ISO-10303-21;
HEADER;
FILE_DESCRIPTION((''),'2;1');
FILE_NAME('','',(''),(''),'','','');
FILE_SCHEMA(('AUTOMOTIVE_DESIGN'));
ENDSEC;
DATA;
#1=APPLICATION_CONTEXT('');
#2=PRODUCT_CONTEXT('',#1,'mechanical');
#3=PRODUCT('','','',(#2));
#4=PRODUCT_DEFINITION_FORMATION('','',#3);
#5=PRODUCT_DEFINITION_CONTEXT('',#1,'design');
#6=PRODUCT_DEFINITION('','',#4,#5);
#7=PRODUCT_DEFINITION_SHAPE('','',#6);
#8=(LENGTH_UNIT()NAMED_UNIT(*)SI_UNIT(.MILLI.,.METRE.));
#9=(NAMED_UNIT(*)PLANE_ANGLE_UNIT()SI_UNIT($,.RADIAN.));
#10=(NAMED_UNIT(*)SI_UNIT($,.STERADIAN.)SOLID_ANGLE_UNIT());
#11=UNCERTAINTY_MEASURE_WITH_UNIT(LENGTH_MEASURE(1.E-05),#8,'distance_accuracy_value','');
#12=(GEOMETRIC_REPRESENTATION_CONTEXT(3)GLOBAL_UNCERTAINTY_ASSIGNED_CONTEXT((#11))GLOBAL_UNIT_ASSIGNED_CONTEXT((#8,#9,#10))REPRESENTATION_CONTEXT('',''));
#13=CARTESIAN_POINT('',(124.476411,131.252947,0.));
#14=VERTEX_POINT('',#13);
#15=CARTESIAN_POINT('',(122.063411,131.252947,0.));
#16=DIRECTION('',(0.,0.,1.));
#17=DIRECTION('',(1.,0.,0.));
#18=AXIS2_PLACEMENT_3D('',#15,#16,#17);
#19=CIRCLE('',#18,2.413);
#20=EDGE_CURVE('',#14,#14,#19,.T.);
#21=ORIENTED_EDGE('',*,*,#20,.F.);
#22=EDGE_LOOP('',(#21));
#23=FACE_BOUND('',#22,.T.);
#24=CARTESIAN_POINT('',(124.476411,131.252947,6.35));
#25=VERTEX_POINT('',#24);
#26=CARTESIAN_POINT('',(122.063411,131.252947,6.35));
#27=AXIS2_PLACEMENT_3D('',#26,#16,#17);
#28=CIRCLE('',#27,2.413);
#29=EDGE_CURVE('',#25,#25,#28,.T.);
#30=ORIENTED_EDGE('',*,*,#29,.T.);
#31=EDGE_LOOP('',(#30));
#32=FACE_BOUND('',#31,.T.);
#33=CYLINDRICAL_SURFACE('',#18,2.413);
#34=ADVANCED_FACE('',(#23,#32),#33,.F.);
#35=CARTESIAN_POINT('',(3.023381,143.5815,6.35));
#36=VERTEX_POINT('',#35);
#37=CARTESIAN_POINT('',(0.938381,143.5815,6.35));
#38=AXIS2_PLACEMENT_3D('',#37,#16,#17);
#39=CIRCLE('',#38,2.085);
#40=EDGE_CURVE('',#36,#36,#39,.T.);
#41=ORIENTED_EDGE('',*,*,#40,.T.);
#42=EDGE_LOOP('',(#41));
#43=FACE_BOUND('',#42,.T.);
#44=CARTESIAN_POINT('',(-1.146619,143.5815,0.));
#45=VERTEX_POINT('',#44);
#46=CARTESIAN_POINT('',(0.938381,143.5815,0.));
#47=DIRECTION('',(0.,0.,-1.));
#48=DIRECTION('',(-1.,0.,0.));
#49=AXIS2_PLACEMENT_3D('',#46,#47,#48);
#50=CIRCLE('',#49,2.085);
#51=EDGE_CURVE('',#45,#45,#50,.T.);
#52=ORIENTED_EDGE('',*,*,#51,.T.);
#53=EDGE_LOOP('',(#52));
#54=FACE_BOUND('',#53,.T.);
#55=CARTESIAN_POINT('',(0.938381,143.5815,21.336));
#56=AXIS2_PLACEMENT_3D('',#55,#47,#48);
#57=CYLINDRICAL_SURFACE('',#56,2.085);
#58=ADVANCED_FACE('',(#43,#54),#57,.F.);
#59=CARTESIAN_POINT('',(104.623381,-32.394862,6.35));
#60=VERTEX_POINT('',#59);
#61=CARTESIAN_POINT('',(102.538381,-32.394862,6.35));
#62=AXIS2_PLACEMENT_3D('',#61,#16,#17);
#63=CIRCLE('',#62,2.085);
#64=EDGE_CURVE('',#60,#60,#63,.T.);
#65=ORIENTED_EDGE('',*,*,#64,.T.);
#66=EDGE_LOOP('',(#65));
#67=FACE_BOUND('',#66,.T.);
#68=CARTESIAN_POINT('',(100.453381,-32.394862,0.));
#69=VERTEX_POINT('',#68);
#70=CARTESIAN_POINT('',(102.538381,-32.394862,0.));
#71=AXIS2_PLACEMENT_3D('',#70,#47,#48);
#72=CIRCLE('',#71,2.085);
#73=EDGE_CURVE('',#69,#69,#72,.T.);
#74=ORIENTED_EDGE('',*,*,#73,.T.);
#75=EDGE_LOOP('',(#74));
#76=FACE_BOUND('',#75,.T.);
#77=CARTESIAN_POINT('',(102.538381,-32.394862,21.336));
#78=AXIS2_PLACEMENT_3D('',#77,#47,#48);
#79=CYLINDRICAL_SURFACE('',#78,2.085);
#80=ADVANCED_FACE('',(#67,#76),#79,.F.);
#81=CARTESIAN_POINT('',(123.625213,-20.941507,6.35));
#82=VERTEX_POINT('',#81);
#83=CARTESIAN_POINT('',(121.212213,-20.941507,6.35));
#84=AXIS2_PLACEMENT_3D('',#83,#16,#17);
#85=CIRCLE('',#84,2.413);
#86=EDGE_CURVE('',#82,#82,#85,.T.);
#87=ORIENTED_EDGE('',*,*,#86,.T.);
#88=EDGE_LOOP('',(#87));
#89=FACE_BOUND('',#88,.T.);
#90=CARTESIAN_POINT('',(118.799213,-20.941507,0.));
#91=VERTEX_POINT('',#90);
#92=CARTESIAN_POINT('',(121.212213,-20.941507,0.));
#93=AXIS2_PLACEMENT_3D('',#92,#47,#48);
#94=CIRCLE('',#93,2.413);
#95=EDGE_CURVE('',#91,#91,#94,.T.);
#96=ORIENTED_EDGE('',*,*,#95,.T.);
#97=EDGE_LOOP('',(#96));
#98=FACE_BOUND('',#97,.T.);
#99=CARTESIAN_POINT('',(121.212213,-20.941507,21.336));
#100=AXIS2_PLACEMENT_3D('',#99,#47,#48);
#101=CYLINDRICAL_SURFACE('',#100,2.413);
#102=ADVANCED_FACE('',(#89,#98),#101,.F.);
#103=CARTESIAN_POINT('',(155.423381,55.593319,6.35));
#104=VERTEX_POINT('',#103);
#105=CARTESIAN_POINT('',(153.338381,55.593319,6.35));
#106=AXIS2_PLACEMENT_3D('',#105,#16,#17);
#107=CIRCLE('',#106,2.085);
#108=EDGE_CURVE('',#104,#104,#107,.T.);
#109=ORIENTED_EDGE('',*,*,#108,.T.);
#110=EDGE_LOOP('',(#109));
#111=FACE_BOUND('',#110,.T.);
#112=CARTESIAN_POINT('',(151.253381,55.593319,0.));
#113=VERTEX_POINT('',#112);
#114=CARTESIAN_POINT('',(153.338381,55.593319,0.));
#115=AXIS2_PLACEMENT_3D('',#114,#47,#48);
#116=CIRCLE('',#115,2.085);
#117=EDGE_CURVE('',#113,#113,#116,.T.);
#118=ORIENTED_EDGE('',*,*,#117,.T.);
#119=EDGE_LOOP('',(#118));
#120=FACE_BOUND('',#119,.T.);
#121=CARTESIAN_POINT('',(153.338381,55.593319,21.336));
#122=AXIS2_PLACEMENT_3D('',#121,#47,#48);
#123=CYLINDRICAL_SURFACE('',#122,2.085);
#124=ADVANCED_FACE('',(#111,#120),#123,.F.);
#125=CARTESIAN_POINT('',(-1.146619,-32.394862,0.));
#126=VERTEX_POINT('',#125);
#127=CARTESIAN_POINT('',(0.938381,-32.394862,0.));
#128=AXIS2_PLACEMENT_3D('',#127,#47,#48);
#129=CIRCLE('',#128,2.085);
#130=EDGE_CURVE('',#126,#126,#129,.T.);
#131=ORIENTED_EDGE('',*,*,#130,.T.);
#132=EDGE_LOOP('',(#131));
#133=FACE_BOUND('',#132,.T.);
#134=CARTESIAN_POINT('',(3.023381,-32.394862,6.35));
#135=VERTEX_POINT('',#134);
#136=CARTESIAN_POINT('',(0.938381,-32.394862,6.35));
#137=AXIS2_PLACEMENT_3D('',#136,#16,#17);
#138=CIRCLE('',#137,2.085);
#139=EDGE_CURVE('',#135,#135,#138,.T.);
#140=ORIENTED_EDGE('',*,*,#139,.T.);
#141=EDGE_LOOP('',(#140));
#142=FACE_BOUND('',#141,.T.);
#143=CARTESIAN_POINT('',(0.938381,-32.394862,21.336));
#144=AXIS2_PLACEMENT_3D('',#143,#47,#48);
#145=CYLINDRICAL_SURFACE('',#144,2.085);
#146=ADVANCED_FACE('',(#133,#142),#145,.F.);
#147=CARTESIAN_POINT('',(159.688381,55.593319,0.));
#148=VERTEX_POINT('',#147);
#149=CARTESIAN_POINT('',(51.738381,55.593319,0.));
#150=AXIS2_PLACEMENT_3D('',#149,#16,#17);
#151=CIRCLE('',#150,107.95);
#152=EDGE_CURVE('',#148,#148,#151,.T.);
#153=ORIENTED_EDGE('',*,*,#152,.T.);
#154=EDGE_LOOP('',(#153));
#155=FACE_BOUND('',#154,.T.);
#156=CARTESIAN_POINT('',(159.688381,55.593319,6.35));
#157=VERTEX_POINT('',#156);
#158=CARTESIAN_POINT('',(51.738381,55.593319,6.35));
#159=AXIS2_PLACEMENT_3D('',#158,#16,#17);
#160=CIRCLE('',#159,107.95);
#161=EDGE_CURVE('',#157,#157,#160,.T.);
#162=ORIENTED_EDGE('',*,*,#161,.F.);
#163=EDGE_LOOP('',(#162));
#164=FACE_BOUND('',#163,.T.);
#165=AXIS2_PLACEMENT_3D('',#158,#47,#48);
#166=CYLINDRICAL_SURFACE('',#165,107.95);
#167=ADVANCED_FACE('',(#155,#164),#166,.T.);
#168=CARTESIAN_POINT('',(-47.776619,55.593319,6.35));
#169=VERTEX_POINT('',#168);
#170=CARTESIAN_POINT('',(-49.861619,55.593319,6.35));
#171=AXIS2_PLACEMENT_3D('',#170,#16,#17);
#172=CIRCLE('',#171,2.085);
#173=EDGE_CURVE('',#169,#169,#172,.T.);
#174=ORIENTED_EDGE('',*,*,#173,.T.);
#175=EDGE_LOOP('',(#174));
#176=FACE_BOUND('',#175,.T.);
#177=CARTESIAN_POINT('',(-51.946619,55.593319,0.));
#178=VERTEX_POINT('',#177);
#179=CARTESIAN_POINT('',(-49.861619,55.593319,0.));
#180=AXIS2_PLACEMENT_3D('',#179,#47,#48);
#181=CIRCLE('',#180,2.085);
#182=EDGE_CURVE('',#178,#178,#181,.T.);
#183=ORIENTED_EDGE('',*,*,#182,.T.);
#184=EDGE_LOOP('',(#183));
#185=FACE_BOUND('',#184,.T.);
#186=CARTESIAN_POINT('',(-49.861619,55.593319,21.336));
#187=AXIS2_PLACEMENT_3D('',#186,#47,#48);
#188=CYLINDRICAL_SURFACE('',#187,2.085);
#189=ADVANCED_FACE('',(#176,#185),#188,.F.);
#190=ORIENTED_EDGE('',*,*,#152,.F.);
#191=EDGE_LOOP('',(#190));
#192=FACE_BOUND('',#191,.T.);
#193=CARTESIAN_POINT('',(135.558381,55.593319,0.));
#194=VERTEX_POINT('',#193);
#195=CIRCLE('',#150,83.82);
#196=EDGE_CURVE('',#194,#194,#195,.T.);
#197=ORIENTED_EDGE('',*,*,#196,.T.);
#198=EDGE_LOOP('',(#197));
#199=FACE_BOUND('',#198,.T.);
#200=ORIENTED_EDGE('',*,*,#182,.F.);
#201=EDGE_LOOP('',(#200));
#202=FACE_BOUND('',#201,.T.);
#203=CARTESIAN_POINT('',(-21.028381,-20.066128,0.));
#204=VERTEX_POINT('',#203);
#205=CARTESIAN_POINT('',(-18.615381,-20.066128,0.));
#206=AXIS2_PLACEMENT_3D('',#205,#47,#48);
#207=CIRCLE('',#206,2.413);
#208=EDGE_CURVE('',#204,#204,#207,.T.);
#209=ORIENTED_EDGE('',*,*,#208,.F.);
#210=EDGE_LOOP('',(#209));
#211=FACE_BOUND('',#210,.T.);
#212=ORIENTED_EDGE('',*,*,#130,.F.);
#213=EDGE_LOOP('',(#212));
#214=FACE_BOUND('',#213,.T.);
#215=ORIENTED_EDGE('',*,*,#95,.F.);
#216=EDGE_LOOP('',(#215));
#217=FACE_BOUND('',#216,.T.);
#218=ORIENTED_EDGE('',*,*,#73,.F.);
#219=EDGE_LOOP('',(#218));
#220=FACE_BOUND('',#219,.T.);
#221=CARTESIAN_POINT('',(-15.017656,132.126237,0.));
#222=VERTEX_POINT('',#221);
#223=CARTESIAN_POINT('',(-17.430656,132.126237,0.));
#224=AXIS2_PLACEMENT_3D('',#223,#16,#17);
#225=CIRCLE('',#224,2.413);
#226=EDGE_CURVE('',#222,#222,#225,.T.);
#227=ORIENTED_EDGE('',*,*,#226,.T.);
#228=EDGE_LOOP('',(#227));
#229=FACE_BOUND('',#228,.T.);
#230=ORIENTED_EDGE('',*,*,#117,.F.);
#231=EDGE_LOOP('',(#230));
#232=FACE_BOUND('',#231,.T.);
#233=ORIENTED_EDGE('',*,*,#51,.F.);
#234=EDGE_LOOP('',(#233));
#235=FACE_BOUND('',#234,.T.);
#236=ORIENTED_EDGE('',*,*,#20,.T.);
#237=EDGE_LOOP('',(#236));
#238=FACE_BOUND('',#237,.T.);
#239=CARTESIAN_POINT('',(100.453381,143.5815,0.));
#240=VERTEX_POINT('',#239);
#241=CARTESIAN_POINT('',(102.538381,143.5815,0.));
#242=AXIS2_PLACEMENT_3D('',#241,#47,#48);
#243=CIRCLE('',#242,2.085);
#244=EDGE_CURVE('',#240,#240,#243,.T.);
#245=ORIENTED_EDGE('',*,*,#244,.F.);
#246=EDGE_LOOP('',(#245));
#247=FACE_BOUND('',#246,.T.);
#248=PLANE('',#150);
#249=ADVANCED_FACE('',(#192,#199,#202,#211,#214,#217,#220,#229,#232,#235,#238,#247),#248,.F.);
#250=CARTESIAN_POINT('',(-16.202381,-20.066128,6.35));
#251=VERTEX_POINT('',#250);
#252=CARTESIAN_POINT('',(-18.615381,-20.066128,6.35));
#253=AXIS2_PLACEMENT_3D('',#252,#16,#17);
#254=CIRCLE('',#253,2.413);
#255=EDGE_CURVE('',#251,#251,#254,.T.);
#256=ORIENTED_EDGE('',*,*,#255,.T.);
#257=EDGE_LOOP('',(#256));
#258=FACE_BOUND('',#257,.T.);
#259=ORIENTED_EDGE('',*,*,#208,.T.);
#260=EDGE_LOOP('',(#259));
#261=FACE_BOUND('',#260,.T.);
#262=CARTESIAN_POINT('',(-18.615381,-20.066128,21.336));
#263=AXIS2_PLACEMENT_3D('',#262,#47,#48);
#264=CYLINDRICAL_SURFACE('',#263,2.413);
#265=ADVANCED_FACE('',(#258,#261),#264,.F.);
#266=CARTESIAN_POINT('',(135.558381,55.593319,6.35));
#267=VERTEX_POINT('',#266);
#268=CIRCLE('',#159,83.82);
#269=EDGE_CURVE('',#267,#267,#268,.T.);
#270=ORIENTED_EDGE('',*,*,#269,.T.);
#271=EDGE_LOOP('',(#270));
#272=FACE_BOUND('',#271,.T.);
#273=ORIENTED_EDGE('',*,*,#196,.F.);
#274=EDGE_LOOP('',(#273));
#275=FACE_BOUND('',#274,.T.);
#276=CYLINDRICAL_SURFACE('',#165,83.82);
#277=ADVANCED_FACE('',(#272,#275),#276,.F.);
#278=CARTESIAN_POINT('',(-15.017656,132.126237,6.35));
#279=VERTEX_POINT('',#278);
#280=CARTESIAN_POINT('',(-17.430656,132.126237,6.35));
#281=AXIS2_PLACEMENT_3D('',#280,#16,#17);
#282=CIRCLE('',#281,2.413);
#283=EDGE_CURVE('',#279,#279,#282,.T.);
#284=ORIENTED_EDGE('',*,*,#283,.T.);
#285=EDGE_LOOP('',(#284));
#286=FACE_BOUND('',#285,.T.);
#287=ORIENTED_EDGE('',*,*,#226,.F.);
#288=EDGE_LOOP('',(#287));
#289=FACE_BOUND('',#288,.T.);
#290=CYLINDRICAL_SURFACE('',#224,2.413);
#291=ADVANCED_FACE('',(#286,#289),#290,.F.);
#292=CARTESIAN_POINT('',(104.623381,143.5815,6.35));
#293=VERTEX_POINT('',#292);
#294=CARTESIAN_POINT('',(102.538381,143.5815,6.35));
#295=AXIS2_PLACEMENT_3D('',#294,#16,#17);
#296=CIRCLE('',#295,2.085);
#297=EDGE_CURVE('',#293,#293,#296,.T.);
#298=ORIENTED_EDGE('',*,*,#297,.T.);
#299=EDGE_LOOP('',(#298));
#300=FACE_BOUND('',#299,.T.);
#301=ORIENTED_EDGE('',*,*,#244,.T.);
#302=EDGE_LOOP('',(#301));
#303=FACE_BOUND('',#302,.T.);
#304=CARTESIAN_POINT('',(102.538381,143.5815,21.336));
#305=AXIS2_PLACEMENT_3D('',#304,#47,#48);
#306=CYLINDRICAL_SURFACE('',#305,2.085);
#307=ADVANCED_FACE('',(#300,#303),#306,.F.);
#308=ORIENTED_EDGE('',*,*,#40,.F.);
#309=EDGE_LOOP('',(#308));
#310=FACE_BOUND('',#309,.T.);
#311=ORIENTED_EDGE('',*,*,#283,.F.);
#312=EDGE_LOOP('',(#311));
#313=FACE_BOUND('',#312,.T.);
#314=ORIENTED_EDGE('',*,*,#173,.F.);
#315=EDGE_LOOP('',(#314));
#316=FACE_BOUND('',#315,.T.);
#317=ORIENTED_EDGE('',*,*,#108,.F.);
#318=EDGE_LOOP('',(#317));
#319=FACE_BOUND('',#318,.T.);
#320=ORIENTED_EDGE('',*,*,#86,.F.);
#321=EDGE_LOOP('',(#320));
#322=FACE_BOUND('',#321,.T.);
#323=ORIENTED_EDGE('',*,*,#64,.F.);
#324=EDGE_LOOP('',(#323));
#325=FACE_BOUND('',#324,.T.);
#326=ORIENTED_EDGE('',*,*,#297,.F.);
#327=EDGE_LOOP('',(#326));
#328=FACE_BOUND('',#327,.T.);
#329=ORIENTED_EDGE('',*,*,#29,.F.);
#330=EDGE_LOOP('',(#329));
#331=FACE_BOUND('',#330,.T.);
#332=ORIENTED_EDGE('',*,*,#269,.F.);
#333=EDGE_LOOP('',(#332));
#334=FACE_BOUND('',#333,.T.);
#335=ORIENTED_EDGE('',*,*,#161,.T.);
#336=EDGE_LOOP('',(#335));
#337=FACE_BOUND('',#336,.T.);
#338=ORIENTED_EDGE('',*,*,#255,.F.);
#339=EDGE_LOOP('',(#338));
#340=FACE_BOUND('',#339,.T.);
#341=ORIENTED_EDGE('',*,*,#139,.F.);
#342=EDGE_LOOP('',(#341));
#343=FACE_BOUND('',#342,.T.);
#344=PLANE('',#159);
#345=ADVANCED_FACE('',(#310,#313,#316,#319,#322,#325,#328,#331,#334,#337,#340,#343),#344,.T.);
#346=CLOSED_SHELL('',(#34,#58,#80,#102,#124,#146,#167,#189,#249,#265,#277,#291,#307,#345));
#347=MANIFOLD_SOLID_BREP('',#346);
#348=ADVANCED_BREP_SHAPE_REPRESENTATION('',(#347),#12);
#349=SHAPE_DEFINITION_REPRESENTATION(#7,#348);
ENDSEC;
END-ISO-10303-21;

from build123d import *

# Parameters (mm, degrees)
SKETCH1_R           = 107.95
SKETCH1_R_2         = 83.82
BOSS_EXTRUDE1_DEPTH = 6.35
SKETCH2_R           = 2.085
SKETCH2_R_2         = 2.413
CUT_EXTRUDE1_DEPTH  = 21.336
SKETCH5_R           = 2.413
CUT_EXTRUDE4_DEPTH  = 6.35


with BuildPart() as part:
    # Sketch1 → Boss-Extrude1 (new body)
    with BuildSketch(Plane.XY):
        with Locations((51.738381467, 55.593319394)):
            Circle(SKETCH1_R)
        with Locations((51.738381467, 55.593319394)):
            Circle(SKETCH1_R_2, mode=Mode.SUBTRACT)
    extrude(amount=BOSS_EXTRUDE1_DEPTH)

    # Sketch2 → Cut-Extrude1 (cut)
    with BuildSketch(Plane(origin=(0, 0, 0), x_dir=(-1, 0, 0), z_dir=(0, 0, -1))):
        with Locations((-0.938381467, -32.39486163)):
            Circle(SKETCH2_R)
        with Locations((-102.538381467, -32.39486163)):
            Circle(SKETCH2_R)
        with Locations((-153.338381467, 55.593319394)):
            Circle(SKETCH2_R)
        with Locations((-102.538381467, 143.581500419)):
            Circle(SKETCH2_R)
        with Locations((-0.938381467, 143.581500419)):
            Circle(SKETCH2_R)
        with Locations((49.861618533, 55.593319394)):
            Circle(SKETCH2_R)
        with Locations((-121.212212689, -20.941506669)):
            Circle(SKETCH2_R_2)
        with Locations((18.615381385, -20.066128285)):
            Circle(SKETCH2_R_2)
    extrude(amount=-CUT_EXTRUDE1_DEPTH, mode=Mode.SUBTRACT)

    # Sketch5 → Cut-Extrude4 (cut)
    with BuildSketch(Plane.XY.offset(6.35)):
        with Locations((122.06341072, 131.252946958)):
            Circle(SKETCH5_R)
        with Locations((-17.430655728, 132.126237322)):
            Circle(SKETCH5_R)
    extrude(amount=-CUT_EXTRUDE4_DEPTH, mode=Mode.SUBTRACT)


solid = part.part
